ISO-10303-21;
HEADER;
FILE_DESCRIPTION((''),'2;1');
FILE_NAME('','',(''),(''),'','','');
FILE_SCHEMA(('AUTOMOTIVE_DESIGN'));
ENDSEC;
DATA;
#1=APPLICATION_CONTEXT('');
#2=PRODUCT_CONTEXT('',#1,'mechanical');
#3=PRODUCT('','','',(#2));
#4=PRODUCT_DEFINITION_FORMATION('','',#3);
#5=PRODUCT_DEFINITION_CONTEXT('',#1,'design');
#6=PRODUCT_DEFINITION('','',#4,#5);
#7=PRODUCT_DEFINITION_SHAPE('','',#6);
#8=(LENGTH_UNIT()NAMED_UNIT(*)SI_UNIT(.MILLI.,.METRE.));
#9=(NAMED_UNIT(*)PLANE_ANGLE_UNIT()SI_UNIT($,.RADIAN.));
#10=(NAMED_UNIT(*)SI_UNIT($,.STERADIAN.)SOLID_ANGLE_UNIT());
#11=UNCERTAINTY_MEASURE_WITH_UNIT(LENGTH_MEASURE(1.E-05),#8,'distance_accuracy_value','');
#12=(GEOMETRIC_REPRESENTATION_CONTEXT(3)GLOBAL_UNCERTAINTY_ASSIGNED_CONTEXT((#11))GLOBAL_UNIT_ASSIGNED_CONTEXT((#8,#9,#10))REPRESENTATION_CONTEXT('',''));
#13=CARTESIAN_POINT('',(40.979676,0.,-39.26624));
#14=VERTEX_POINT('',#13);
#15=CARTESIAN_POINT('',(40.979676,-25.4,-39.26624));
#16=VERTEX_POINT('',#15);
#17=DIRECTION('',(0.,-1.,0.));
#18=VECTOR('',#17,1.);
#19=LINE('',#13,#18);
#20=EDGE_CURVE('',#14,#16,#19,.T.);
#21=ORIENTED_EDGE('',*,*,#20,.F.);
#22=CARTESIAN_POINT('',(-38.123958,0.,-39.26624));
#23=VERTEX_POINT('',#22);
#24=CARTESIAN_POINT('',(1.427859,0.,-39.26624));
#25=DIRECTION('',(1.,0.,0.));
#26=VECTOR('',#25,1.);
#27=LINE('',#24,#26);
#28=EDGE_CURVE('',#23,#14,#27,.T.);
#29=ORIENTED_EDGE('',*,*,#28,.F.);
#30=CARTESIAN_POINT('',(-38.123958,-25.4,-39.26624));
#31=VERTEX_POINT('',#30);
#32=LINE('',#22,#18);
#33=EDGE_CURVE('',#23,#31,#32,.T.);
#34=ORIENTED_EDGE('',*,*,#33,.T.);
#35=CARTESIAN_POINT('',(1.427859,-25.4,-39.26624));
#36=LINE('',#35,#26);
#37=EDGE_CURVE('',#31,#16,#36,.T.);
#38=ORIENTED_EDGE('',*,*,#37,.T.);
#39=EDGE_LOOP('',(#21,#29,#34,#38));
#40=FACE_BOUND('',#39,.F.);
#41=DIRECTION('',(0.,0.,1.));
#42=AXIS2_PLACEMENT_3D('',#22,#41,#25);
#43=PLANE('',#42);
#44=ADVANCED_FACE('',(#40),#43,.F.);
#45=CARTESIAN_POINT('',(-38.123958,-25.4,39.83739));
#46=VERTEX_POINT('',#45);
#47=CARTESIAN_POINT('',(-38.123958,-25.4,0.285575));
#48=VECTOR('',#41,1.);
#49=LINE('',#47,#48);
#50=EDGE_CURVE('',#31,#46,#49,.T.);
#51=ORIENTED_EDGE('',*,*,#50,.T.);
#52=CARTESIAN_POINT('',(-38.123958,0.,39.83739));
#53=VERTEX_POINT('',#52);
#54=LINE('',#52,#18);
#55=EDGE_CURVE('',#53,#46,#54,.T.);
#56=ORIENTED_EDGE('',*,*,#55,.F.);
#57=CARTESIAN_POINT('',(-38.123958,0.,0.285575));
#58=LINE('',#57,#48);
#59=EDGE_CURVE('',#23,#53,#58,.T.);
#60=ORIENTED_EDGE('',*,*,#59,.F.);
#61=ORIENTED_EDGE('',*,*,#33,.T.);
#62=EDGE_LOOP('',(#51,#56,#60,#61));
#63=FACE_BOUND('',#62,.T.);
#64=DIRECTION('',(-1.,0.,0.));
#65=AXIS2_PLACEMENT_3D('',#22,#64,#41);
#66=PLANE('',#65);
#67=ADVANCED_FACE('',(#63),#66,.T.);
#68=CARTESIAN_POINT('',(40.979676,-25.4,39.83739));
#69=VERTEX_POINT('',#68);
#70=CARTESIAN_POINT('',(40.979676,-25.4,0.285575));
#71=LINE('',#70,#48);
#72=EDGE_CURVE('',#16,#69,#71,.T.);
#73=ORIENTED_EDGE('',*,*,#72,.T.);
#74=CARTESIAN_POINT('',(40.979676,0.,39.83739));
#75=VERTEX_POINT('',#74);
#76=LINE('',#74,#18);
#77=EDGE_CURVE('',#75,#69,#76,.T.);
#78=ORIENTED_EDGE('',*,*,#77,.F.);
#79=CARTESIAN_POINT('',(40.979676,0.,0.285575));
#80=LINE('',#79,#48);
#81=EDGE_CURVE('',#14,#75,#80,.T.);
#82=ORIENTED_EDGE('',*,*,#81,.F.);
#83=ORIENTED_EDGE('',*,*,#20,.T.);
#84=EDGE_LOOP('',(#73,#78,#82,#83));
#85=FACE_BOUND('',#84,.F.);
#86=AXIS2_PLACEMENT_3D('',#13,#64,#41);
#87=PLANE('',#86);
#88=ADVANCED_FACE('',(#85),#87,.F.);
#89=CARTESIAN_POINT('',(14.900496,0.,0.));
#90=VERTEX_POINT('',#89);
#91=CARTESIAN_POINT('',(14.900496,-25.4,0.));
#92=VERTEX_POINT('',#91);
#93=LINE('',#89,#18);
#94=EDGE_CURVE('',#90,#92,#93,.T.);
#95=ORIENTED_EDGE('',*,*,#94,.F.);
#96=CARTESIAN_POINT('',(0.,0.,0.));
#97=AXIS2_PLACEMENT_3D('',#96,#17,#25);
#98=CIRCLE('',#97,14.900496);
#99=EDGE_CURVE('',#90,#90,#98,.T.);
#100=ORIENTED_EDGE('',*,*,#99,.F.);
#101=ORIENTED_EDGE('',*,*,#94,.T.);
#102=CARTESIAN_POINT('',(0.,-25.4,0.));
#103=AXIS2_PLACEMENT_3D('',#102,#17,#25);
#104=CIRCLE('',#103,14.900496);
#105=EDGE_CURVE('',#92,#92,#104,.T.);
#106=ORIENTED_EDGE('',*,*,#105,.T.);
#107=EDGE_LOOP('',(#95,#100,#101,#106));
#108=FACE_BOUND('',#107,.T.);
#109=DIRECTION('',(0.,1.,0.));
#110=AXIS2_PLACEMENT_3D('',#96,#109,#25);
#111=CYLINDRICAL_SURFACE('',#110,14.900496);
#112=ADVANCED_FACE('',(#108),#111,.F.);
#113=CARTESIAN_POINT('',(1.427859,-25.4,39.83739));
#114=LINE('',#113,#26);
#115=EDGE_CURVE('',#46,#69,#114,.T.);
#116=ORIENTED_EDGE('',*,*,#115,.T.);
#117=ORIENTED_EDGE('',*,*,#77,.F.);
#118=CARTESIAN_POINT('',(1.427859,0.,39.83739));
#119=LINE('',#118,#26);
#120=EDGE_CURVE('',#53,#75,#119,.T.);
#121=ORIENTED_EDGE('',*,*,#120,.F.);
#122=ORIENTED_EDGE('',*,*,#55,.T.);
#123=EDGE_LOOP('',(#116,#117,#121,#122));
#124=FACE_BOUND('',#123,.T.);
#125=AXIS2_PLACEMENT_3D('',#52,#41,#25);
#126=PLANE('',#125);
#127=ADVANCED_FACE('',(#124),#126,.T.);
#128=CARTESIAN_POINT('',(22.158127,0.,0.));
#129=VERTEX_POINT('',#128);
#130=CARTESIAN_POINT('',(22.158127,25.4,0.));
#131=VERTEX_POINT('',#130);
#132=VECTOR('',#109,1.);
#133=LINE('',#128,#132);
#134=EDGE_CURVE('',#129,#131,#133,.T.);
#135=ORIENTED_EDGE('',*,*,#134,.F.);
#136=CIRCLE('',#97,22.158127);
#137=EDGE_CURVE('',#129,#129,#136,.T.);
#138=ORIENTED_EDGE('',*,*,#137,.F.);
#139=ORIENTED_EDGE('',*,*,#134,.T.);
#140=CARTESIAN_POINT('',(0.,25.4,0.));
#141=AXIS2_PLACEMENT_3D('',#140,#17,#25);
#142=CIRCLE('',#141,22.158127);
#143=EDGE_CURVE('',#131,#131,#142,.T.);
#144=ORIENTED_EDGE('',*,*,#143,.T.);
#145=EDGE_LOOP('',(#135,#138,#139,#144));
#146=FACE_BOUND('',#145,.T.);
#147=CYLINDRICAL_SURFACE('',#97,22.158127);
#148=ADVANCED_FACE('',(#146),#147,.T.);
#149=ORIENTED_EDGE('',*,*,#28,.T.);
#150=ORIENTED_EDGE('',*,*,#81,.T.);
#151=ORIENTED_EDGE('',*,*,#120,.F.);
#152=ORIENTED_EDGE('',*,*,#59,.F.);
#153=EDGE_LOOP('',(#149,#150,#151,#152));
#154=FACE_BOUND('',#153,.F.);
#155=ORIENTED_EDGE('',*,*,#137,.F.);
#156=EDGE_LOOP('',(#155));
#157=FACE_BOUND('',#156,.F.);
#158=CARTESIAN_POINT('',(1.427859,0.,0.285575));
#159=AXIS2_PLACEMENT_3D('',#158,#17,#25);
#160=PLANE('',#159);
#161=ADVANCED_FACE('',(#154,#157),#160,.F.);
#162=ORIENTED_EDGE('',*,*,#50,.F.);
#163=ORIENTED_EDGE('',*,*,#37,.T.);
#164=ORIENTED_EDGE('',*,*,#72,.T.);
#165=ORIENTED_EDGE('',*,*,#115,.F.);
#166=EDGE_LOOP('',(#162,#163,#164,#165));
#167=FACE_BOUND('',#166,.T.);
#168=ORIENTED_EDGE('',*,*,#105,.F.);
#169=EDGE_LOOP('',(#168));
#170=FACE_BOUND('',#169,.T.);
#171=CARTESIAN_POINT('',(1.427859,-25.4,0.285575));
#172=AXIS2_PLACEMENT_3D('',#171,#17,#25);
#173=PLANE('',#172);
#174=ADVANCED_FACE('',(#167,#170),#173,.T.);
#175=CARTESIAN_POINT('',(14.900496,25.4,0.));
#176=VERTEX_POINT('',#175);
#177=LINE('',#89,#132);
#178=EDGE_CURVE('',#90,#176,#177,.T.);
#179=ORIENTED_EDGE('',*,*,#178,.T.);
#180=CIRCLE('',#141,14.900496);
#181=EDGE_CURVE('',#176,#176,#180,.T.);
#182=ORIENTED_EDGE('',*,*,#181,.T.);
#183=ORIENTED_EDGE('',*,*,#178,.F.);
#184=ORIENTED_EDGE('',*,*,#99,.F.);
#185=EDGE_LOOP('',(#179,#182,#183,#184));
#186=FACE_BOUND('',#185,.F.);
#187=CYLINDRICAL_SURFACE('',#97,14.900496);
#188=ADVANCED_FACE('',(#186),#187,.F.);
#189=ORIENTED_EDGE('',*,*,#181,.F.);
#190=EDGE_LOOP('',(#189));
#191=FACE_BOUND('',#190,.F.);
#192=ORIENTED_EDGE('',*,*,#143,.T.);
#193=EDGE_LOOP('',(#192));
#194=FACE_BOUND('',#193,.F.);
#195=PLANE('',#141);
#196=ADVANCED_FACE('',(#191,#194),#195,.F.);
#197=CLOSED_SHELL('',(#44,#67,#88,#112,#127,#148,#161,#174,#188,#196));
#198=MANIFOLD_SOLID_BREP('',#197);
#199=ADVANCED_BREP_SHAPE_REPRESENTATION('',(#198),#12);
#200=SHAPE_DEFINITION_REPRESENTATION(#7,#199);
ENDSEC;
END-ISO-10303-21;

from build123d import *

# Parameters (mm, degrees)
F0_W     = 79.103634
F0_H     = 79.10363
F0_R     = 22.158127
F0_R_2   = 14.900496
F1_DEPTH = 25.4
F2_DEPTH = 25.4
F3_DEPTH = 25.401


with BuildPart() as f1:
    # F0 (on Front) → F1 (new body)
    with BuildSketch(Plane.XZ):
        with Locations((1.427859, 0.285575)):
            Rectangle(F0_W, F0_H)
        Circle(F0_R, mode=Mode.SUBTRACT)
        Circle(F0_R_2)
        Circle(F0_R)
        Circle(F0_R_2, mode=Mode.SUBTRACT)
    extrude(amount=F1_DEPTH)

    # F0 (on Front) → F2 (join)
    with BuildSketch(Plane.XZ):
        Circle(F0_R)
        Circle(F0_R_2, mode=Mode.SUBTRACT)
    extrude(amount=-F2_DEPTH)

    # F0 (on Front) → F3 (cut, through all)
    with BuildSketch(Plane.XZ):
        Circle(F0_R_2)
    extrude(amount=F3_DEPTH, mode=Mode.SUBTRACT)


solid = f1.part
